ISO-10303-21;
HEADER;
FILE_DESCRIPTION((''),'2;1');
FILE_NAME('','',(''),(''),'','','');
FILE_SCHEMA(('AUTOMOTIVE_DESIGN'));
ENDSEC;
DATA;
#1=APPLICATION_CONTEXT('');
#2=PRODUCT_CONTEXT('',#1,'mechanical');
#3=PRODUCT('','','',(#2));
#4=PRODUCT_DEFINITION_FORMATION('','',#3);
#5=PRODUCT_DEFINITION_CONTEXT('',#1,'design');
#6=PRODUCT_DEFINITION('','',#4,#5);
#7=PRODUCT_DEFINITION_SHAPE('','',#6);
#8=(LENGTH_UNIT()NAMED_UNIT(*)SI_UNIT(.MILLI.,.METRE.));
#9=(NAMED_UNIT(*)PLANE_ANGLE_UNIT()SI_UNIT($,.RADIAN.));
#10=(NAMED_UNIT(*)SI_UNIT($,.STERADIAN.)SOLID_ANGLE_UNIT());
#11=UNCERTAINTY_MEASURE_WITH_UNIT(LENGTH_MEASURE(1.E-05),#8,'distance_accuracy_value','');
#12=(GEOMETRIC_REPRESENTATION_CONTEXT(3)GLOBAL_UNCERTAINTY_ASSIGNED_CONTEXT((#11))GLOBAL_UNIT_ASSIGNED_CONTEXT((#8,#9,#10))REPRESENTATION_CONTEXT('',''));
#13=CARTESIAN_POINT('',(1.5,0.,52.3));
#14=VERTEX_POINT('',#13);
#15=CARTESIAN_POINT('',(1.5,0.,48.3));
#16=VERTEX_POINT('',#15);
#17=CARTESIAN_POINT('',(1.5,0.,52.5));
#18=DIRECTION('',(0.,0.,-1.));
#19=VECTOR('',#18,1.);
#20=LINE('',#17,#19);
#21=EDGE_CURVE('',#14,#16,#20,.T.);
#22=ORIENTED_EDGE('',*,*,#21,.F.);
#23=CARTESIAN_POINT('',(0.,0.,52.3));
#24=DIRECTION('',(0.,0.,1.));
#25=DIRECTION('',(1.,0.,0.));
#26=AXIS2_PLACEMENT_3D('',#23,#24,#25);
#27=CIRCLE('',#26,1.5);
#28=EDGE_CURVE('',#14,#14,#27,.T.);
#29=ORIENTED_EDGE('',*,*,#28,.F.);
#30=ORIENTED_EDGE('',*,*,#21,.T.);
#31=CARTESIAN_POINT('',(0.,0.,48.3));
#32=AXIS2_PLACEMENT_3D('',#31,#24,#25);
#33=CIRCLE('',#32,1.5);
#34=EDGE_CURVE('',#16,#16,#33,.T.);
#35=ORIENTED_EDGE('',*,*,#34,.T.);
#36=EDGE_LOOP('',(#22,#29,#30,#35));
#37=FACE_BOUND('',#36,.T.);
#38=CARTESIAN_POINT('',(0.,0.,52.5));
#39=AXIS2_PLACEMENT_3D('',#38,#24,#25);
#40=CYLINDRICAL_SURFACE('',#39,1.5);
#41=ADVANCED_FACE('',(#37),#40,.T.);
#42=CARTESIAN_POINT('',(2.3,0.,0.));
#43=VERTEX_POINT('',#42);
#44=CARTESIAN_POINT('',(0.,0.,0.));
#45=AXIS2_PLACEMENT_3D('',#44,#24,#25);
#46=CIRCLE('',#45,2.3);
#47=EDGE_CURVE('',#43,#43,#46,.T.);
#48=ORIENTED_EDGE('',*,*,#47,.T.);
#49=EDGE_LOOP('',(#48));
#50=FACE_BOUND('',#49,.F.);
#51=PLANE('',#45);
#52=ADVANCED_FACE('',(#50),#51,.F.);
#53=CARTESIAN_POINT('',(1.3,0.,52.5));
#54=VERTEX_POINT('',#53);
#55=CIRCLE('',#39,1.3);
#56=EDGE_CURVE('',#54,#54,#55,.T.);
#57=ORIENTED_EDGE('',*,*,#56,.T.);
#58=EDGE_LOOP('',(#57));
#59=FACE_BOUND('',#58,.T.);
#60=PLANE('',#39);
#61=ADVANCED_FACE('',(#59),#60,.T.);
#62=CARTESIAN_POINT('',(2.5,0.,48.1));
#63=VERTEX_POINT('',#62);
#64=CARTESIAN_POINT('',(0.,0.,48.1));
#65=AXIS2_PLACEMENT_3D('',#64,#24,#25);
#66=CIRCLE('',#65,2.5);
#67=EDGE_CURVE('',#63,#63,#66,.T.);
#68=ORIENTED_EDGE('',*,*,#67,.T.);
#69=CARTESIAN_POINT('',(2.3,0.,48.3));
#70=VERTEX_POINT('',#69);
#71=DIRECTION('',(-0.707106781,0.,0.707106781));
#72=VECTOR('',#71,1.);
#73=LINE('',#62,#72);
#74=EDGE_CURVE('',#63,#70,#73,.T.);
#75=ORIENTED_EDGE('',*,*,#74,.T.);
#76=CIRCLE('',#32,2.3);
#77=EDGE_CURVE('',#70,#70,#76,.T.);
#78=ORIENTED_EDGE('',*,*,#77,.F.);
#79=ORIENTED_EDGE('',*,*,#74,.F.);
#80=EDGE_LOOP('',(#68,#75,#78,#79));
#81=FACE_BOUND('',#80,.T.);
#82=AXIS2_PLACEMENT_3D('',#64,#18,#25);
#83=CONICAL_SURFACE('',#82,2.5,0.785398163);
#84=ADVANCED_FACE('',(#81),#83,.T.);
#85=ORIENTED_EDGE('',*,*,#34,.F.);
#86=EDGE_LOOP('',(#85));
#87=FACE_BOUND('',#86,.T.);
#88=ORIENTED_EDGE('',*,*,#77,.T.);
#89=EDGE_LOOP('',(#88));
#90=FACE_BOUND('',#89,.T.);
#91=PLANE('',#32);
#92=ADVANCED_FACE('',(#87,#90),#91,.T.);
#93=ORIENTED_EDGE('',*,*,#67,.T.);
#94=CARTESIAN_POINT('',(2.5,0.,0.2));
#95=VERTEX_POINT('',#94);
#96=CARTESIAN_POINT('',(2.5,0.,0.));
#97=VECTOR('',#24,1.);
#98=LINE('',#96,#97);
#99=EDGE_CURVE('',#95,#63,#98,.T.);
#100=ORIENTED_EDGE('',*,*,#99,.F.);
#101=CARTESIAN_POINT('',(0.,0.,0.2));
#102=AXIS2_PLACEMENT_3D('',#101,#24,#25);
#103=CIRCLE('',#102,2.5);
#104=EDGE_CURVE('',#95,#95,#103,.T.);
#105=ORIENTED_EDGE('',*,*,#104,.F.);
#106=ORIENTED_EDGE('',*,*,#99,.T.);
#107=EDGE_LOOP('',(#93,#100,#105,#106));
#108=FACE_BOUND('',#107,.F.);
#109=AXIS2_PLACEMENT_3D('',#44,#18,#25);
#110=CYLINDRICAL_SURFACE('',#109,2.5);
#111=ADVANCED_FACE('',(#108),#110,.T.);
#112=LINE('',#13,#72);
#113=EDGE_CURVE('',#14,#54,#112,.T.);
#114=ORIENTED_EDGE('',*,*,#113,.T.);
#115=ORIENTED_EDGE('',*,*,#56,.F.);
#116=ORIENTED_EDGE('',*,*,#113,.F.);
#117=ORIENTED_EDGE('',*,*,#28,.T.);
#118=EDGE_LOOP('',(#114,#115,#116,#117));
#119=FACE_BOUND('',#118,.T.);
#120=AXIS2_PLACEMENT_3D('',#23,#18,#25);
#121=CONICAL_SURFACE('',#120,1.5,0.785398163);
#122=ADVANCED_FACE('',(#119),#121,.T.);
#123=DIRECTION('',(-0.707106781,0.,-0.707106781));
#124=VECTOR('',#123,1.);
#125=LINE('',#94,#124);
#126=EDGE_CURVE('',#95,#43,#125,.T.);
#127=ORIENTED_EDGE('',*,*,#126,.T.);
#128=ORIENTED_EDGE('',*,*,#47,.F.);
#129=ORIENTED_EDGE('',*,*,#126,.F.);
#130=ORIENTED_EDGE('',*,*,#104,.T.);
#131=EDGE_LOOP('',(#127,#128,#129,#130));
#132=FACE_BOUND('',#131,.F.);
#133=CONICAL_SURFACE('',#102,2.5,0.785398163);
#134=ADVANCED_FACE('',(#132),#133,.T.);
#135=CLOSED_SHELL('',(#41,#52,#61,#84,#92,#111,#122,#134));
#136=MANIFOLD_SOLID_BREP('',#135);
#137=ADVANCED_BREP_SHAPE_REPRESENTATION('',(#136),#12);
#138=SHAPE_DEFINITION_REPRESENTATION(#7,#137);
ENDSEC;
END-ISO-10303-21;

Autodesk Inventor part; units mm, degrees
ref_plane "YZ Plane" through (0, 0, 0) normal (1, 0, 0) x (0, 1, 0)
ref_plane "XZ Plane" through (0, 0, 0) normal (0, 1, 0) x (-1, 0, 0)
ref_plane "XY Plane" through (0, 0, 0) normal (0, 0, 1) x (1, 0, 0)
sketch "Sketch1" plane through (0, 0, 0) normal (0, 0, 1) x (1, 0, 0)
  circle A0 centre (0, 0) radius 2.5
  dimension "d0" = 5
extrude "Extrusion1" add sketch "Sketch1" along normal blind 52.5
sketch "Sketch2" plane through (0, 0, 52.5) normal (0, 0, 1) x (1, 0, 0)
  circle A0 centre (0, 0) radius 2.5 projected
  circle A1 centre (0, 0) radius 1.5
  dimension "d3" = 3
extrude "Extrusion2" cut sketch "Sketch2" against normal blind 4.2
chamfer "Chamfer1" distance 0.2 angle 45 3 edges at (-1.5, 0, 52.5) (-2.5, 0, 48.3) (-2.5, 0, 0)
properties part number "SensorKopf_Encoder_Welle" material "Aluminum 6061-AHC"
